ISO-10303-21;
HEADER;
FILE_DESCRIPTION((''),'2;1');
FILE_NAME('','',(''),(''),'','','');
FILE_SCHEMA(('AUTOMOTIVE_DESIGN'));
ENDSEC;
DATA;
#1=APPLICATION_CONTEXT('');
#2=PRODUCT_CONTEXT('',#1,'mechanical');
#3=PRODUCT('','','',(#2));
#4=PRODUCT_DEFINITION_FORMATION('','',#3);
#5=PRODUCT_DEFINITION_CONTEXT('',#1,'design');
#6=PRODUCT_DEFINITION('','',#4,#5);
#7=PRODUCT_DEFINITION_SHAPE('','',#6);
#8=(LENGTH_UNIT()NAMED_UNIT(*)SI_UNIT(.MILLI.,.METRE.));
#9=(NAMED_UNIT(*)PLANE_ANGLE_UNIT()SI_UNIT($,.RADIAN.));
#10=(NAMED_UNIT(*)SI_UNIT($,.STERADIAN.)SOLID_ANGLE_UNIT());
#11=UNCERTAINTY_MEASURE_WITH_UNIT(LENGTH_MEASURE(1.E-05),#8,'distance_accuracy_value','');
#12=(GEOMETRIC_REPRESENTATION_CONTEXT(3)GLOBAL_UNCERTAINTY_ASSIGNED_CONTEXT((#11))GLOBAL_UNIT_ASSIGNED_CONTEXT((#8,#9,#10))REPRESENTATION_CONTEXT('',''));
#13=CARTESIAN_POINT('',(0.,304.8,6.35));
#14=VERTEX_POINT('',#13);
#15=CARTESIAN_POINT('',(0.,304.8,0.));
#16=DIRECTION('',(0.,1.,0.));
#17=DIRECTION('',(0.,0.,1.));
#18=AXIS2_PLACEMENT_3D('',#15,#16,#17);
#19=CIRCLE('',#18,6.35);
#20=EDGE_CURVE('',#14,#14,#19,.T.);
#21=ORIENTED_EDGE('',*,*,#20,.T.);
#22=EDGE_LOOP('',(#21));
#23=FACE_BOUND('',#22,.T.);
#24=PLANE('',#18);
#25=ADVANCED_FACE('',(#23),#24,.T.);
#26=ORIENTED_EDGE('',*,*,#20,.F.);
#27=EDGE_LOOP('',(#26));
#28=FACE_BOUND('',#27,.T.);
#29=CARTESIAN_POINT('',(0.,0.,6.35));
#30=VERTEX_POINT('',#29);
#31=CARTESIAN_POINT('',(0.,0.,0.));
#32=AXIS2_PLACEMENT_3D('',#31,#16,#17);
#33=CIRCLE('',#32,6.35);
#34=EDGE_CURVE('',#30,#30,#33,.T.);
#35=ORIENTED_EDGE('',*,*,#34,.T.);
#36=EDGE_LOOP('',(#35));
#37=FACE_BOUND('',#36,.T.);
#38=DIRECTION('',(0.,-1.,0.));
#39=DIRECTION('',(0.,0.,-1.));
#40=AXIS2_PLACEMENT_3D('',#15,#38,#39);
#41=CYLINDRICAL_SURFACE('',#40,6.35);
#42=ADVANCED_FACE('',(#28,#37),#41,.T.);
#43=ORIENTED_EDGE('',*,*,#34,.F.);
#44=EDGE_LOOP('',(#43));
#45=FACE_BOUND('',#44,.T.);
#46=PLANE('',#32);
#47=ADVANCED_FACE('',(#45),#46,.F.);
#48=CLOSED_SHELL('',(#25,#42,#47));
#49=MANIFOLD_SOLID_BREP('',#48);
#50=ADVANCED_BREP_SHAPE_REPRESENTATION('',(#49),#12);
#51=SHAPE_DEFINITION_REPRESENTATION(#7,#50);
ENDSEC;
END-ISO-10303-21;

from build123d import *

# Parameters (mm, degrees)
SKETCH1_R           = 6.35
BOSS_EXTRUDE1_DEPTH = 304.8


with BuildPart() as part:
    # Sketch1 → Boss-Extrude1 (new body)
    with BuildSketch(Plane(origin=(0, 0, 0), x_dir=(1, 0, 0), z_dir=(0, 1, 0))):
        Circle(SKETCH1_R)
    extrude(amount=BOSS_EXTRUDE1_DEPTH)


solid = part.part
